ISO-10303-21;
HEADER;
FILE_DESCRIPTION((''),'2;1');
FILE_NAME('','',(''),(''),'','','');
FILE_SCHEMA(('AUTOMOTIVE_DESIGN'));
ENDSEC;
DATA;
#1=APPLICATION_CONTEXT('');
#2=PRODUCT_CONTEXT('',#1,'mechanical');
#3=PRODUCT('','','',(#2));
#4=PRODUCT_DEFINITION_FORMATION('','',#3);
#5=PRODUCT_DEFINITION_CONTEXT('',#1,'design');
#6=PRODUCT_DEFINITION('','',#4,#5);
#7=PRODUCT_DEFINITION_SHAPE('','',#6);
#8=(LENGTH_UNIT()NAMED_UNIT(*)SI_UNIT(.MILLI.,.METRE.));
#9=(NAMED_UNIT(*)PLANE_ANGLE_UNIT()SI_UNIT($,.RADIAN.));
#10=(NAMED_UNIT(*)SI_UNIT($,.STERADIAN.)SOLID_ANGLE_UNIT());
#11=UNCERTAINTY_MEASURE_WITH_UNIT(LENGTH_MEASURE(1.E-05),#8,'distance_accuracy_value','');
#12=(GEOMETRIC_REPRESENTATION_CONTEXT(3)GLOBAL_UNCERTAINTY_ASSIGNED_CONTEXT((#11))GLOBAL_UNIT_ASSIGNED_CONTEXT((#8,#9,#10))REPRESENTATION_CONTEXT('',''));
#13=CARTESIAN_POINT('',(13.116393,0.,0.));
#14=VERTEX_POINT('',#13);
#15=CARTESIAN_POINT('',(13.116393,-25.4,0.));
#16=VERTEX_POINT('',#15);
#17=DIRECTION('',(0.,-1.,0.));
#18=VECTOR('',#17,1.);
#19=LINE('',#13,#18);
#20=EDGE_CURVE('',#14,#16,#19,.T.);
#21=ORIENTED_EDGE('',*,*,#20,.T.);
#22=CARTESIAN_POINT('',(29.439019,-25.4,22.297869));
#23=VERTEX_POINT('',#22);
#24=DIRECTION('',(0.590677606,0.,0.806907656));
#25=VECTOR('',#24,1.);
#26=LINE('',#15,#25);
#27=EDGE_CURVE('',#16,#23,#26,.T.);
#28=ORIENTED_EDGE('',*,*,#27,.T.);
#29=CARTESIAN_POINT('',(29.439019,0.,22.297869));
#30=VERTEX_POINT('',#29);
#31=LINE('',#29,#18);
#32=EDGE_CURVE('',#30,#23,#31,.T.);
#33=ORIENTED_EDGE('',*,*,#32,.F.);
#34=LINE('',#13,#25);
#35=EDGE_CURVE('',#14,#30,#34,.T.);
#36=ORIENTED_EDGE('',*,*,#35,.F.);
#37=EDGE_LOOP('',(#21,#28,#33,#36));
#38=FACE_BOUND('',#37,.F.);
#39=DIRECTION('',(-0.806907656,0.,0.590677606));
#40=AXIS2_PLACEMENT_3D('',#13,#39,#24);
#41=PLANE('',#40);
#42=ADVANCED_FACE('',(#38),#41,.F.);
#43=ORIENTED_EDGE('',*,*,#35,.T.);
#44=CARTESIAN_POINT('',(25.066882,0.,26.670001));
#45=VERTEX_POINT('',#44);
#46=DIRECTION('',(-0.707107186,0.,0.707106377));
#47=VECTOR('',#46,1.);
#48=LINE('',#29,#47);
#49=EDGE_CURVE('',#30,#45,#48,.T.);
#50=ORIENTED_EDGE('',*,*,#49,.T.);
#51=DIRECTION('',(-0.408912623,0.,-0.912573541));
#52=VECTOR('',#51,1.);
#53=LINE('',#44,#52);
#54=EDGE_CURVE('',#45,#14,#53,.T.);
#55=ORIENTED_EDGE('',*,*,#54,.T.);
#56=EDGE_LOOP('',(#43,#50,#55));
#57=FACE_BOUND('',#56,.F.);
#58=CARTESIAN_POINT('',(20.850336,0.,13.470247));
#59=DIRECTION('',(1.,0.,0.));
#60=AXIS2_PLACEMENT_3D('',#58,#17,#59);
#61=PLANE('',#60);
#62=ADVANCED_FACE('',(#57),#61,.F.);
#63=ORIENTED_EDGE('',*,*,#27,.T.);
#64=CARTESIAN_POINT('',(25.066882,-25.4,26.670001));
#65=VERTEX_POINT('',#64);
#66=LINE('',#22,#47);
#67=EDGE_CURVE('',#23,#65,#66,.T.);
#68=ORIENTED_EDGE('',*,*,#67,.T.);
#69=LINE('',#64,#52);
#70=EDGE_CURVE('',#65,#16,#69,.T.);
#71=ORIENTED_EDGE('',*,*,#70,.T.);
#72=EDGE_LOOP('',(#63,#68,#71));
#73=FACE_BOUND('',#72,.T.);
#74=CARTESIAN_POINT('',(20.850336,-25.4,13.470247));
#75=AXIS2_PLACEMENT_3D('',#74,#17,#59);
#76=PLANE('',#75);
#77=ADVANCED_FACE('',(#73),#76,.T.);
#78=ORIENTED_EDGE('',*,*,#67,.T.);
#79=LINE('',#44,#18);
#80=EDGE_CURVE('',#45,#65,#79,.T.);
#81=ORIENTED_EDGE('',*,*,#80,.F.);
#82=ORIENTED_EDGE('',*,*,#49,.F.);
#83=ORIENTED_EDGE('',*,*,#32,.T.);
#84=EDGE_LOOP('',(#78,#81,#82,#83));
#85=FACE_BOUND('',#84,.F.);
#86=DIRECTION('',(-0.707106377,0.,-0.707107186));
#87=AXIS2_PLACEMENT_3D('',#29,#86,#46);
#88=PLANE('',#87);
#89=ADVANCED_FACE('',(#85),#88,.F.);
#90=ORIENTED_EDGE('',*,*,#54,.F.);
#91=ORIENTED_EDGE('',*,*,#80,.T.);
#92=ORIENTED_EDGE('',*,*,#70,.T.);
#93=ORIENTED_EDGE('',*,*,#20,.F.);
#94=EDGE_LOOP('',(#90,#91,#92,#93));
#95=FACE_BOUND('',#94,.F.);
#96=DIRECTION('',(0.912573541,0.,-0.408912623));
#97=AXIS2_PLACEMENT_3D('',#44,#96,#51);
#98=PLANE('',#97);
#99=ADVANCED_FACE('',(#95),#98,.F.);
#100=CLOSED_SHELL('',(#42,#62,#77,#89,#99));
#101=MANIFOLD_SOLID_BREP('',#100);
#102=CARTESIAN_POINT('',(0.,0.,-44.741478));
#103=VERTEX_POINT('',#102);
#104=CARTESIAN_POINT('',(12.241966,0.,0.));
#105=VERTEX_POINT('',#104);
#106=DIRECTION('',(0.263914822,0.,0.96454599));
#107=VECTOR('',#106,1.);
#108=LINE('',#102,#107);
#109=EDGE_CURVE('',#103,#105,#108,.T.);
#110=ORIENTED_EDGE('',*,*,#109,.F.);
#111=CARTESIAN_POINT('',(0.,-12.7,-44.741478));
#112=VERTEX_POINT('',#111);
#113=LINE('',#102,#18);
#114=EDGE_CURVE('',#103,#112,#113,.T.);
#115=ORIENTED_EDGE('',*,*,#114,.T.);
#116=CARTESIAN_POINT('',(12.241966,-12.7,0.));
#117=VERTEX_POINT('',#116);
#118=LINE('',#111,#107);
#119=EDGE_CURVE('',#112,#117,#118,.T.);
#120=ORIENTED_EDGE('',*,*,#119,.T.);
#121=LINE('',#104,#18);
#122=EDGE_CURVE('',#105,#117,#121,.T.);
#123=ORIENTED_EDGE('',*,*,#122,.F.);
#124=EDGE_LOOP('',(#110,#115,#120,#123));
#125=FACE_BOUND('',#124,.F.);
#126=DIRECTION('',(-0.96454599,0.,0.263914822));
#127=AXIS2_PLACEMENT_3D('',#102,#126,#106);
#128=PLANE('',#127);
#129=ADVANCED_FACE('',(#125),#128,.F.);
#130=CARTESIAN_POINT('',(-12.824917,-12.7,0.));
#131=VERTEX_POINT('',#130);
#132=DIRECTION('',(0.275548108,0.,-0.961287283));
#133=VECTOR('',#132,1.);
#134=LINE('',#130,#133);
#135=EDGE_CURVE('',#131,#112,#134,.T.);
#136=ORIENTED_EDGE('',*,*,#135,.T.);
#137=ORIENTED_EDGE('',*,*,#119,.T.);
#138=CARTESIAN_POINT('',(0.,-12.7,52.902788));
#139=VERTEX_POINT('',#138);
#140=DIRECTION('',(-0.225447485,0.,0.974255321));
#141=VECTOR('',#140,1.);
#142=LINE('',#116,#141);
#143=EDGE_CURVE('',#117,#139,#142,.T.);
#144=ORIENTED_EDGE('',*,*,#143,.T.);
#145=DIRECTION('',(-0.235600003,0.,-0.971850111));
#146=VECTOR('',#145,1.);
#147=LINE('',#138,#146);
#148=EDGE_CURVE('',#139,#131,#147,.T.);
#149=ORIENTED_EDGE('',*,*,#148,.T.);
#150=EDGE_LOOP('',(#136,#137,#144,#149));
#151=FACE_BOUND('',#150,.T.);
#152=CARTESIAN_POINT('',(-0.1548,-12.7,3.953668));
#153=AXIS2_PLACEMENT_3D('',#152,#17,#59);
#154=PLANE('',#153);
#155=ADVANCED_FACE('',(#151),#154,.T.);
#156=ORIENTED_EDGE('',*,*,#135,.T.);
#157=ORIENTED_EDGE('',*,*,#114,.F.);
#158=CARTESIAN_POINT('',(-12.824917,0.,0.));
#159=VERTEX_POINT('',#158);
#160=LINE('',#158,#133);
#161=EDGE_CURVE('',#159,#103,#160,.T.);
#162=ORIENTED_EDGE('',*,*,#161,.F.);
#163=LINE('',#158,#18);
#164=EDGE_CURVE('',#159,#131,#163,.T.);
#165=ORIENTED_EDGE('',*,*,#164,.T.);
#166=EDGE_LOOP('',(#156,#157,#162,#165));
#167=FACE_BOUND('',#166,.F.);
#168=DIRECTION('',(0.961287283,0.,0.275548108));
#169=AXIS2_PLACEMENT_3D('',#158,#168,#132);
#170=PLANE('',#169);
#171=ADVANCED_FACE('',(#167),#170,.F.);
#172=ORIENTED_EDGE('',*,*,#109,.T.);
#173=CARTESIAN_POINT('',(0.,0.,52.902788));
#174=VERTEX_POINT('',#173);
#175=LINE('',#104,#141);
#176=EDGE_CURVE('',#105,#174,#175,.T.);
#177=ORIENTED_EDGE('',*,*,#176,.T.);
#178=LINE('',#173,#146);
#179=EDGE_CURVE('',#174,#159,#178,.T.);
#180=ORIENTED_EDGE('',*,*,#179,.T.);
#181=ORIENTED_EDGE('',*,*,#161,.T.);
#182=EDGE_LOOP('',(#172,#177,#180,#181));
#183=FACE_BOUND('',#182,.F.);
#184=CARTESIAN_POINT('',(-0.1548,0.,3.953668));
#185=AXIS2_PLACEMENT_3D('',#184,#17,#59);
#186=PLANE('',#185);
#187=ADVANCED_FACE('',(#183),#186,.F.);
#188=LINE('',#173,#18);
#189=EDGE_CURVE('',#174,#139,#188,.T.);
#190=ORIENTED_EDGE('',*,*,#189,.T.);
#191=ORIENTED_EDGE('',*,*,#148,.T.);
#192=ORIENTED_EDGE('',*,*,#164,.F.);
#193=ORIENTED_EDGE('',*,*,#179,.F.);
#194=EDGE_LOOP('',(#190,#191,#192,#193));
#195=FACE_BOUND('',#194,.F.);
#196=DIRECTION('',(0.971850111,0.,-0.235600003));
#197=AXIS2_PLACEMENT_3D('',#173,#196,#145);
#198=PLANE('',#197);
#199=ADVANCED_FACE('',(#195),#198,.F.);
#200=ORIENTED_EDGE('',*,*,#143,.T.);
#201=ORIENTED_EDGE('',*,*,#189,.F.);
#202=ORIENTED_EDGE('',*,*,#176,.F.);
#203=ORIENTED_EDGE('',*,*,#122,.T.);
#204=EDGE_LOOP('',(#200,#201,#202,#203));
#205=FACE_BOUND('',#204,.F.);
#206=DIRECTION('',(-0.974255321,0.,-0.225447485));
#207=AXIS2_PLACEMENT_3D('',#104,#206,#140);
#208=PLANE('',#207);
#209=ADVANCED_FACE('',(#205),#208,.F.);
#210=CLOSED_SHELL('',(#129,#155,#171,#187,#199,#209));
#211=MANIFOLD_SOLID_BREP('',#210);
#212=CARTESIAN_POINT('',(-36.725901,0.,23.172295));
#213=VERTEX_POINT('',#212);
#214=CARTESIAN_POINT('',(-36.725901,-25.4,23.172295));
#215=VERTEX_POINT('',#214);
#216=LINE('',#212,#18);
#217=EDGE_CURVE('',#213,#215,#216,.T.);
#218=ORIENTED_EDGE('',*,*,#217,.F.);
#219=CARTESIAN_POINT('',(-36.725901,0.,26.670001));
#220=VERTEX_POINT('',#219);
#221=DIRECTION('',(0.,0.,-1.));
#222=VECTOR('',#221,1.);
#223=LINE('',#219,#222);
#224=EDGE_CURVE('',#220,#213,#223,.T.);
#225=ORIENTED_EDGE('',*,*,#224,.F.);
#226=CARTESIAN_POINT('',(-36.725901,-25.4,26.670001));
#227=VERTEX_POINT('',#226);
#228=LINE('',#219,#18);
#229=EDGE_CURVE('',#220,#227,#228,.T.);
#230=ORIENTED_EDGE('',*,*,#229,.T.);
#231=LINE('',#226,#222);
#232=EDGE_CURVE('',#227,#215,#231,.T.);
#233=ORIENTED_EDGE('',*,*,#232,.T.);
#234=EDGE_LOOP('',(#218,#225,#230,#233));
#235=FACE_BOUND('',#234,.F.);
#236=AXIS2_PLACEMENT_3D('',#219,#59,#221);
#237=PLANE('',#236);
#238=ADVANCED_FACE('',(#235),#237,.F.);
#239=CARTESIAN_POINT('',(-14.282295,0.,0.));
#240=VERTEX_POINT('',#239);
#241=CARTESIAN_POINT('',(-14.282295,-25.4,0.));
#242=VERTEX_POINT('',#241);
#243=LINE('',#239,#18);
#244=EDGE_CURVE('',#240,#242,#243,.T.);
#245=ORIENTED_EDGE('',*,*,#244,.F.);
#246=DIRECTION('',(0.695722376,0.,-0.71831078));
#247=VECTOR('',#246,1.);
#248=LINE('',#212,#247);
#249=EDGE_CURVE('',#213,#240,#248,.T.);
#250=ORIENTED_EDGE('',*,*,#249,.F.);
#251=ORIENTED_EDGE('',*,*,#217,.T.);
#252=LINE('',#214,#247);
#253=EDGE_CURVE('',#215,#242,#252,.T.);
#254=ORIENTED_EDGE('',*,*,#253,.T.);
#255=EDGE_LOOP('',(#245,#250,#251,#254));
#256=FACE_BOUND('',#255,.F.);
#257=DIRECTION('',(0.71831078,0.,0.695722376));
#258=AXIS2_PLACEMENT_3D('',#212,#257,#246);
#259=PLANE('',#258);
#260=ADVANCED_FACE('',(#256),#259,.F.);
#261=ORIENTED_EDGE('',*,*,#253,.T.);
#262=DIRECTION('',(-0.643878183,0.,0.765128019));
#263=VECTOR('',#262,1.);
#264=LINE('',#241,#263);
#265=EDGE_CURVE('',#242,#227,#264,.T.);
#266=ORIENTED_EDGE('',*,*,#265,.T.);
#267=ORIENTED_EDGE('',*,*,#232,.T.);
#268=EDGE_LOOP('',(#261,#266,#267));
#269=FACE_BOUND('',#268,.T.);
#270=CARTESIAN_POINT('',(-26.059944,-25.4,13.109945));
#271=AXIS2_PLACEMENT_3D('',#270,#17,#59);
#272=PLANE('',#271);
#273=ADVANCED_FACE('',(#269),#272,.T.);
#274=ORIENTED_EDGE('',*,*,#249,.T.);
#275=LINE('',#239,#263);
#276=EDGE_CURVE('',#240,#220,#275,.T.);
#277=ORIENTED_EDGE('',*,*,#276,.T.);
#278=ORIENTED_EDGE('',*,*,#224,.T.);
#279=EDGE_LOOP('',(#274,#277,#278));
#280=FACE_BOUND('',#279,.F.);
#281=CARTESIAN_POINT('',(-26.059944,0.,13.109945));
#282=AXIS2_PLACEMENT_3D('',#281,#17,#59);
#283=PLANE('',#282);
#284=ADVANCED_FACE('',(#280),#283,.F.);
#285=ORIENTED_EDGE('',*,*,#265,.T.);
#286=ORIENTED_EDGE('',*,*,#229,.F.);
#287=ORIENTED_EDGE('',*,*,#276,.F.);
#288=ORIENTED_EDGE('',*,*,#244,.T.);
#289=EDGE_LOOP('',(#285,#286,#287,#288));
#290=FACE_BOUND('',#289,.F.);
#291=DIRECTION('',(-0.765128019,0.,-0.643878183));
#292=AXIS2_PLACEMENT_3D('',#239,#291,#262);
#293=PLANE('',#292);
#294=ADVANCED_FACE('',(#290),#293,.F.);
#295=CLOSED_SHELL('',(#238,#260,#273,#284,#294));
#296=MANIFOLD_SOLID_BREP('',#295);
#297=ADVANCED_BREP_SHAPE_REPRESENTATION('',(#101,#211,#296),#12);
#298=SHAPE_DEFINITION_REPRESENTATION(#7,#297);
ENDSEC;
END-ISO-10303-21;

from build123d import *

# Parameters (mm, degrees)
F1_DEPTH = 12.7
F3_DEPTH = 25.4


with BuildPart() as f1:
    # F0 (on Front) → F1 (new body)
    with BuildSketch(Plane.XZ):
        Polygon((12.241966, 0), (0, 52.902788), (-12.824917, 0), (0, -44.741478), align=None)
    extrude(amount=F1_DEPTH)


with BuildPart() as f3:
    # F2 (on Front) → F3 (new body)
    with BuildSketch(Plane.XZ):
        Polygon((-36.725901, 23.172295), (-14.282295, 0), (-36.725901, 26.670001), align=None)
        Polygon((25.066882, 26.670001), (13.116393, 0), (29.439019, 22.297869), align=None)
    extrude(amount=F3_DEPTH)


solid = Compound([f1.part, f3.part])
